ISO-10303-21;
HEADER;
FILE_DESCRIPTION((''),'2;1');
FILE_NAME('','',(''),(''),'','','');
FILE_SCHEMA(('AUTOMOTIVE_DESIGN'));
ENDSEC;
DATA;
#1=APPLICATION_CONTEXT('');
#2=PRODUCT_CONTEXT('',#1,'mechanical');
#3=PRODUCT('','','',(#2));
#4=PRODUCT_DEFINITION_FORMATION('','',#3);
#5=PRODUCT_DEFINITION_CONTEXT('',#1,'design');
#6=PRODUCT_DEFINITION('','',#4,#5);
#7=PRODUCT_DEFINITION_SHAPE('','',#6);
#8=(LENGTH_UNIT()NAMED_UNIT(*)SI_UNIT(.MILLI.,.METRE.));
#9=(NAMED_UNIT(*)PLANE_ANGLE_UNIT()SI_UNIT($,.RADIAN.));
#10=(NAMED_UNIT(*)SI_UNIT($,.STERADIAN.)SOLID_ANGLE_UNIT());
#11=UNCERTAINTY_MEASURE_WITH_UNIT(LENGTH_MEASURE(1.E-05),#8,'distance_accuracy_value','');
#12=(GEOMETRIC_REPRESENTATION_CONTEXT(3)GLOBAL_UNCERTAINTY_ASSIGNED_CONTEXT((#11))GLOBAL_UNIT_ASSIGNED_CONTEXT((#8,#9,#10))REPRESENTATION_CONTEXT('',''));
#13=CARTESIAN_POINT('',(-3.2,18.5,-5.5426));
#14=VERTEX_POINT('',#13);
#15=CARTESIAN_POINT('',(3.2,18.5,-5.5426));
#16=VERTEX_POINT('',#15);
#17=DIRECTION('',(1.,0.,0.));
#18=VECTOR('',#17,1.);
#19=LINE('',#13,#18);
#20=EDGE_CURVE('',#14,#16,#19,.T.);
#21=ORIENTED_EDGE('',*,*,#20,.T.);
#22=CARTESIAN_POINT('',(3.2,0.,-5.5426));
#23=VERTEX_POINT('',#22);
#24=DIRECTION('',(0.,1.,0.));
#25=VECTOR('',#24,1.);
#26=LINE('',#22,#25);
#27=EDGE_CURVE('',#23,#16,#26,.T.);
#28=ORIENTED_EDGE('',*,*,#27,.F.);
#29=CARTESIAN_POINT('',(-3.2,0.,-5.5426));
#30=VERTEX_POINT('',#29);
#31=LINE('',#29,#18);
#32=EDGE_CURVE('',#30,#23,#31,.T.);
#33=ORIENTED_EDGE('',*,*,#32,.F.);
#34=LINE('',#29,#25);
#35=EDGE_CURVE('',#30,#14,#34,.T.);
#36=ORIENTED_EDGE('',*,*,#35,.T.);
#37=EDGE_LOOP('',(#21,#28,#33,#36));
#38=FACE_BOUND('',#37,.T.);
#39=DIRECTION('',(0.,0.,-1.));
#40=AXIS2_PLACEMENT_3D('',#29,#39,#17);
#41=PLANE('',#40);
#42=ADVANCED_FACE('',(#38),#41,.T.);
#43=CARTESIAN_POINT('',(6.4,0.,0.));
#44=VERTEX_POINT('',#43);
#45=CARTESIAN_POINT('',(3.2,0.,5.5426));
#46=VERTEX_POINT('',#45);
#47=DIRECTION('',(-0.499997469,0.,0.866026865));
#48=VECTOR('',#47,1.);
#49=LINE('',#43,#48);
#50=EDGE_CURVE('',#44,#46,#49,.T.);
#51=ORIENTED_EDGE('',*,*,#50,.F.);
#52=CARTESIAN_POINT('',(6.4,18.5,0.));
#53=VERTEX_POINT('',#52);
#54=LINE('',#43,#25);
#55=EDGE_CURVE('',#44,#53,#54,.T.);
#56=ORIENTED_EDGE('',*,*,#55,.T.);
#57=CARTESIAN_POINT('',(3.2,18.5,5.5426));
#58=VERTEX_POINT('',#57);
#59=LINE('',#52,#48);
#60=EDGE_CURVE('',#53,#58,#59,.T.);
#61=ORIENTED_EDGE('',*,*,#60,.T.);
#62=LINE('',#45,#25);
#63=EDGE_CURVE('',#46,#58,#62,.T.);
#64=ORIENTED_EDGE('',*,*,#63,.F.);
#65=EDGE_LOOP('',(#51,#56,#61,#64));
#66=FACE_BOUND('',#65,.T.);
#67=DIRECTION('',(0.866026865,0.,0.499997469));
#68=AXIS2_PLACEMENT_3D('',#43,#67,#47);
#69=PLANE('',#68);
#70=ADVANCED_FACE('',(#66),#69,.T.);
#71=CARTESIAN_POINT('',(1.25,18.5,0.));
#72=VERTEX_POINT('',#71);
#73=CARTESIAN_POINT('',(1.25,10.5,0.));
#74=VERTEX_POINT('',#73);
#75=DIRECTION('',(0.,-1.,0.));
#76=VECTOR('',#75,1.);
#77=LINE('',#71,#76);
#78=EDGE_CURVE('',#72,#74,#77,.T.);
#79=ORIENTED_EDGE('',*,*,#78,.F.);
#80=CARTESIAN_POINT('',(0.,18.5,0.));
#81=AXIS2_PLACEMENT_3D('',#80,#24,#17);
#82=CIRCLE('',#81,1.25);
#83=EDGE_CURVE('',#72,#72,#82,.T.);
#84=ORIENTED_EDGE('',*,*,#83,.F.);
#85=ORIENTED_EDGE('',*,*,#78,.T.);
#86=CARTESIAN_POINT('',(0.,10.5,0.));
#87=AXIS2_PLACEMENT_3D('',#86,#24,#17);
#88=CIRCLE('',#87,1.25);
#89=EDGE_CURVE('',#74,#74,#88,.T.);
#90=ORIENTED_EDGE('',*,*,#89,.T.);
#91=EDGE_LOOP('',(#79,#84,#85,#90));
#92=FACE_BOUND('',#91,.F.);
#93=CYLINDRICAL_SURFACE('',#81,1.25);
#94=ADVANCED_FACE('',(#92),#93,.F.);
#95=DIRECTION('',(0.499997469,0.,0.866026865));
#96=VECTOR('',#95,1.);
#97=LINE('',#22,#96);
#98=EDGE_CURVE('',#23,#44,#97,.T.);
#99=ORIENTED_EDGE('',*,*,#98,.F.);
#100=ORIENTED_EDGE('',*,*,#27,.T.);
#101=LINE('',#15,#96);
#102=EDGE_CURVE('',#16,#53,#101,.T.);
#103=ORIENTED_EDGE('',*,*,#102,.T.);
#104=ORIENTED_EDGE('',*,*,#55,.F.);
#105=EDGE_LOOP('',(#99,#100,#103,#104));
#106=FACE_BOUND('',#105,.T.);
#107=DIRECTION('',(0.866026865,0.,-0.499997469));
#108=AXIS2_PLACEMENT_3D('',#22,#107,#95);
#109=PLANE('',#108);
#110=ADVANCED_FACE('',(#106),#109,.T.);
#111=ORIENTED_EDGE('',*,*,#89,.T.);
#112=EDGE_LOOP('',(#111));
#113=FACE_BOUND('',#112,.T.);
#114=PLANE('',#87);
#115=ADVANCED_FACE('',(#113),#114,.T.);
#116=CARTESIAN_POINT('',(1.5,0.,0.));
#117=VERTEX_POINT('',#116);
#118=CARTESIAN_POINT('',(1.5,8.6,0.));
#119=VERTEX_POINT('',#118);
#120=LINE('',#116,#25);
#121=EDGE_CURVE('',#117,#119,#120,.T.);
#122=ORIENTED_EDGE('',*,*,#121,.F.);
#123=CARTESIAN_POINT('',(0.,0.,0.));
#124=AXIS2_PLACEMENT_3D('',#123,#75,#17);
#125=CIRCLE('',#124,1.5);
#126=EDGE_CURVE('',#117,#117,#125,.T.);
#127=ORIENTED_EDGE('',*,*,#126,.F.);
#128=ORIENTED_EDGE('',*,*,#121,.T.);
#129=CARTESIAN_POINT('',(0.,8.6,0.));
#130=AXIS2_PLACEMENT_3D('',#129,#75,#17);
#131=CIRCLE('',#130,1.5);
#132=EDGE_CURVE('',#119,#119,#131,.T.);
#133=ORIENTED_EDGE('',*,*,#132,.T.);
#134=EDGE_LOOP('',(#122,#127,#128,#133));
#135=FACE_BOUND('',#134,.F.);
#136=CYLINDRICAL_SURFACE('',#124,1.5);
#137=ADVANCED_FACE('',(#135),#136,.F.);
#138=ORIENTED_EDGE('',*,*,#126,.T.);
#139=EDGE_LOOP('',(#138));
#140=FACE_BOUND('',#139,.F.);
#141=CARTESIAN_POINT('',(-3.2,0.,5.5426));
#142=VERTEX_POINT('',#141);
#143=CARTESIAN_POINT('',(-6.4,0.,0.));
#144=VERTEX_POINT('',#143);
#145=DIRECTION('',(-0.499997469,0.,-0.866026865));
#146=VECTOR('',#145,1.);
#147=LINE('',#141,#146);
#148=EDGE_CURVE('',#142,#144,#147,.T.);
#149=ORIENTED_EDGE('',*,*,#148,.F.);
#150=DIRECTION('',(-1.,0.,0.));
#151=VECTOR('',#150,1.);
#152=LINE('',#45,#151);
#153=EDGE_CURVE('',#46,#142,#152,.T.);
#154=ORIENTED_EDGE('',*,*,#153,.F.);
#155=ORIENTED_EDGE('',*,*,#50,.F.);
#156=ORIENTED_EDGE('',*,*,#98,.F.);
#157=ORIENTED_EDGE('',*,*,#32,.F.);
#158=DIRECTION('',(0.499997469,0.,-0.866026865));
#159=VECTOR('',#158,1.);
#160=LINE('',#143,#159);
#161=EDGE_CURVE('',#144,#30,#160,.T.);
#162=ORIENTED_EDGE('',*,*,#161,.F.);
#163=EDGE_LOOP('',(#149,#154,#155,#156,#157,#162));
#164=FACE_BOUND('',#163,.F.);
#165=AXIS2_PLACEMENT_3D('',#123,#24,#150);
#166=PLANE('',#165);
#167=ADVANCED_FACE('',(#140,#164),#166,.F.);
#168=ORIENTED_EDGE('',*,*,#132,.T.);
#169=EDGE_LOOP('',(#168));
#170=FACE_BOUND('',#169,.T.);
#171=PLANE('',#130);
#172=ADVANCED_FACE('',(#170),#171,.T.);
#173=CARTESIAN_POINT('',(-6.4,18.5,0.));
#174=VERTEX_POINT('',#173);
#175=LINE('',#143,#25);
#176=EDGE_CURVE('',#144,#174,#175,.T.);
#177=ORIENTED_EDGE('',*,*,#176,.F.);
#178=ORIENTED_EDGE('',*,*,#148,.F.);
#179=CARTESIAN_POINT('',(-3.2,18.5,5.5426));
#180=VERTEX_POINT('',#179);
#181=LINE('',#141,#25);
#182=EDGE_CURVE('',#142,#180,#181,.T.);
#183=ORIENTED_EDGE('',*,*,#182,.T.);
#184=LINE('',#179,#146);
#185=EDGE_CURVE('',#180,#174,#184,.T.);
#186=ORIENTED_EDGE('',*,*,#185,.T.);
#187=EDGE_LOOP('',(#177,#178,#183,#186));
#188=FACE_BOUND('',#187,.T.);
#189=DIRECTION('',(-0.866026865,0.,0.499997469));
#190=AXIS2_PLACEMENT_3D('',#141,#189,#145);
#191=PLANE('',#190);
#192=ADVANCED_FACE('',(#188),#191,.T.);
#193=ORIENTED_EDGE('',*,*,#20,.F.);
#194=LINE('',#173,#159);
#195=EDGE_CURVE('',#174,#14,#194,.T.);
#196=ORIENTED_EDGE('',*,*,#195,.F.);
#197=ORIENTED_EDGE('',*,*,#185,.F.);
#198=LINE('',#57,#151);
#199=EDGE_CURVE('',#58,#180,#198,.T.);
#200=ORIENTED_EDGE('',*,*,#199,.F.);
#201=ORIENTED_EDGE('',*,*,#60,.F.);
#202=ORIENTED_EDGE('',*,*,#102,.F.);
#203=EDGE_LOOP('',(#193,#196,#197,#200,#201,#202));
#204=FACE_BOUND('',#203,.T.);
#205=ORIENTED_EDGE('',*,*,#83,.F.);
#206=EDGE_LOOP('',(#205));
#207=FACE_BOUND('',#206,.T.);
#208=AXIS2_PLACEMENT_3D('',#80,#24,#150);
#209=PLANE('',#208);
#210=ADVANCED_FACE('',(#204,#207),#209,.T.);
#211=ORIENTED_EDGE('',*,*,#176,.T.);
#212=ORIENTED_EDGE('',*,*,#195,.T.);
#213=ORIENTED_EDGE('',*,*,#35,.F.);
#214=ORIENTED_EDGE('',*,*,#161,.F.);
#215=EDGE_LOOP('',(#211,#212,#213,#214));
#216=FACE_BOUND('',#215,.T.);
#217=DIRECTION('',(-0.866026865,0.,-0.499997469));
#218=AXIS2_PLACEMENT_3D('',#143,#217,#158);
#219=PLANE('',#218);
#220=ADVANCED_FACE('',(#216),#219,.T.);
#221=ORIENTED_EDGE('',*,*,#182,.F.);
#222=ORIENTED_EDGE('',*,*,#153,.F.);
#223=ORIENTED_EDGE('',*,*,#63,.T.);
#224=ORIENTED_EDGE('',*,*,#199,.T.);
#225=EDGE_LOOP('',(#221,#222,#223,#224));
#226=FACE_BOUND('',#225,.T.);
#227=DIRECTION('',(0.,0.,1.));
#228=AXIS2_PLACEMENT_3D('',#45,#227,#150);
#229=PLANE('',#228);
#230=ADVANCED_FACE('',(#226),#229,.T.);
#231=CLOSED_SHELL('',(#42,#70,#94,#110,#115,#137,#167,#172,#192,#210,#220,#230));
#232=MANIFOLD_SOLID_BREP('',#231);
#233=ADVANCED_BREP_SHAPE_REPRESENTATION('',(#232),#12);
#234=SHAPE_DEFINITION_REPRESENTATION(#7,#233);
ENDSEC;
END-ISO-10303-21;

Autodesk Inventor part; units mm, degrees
ref_plane "YZ Plane" through (0, 0, 0) normal (1, 0, 0) x (0, 1, 0)
ref_plane "XZ Plane" through (0, 0, 0) normal (0, 1, 0) x (-1, 0, 0)
ref_plane "XY Plane" through (0, 0, 0) normal (0, 0, 1) x (1, 0, 0)
sketch "Sketch1" plane through (0, 0, 0) normal (0, 1, 0) x (-1, 0, 0)
  line L0 (6.4, 0) -> (3.2, -5.5426)
  line L1 (3.2, -5.5426) -> (-3.2, -5.5426)
  line L2 (-3.2, -5.5426) -> (-6.4, 0)
  line L3 (-6.4, 0) -> (-3.2, 5.5426)
  line L4 (-3.2, 5.5426) -> (3.2, 5.5426)
  line L5 (3.2, 5.5426) -> (6.4, 0)
  point P0 (0, 0)
  dimension "d1" = 6.4
extrude "Extrusion1" add sketch "Sketch1" along normal blind 18.5
sketch "Sketch2" plane through (0, 18.5, 0) normal (0, 1, 0) x (1, 0, 0)
  circle A0 centre (0, 0) radius 1.25
  dimension "d4" = 2.5
extrude "Extrusion2" cut sketch "Sketch2" against normal blind 8
sketch "Sketch3" plane through (0, 0, 0) normal (0, -1, 0) x (1, 0, 0)
  circle A0 centre (0, 0) radius 1.5
  dimension "d7" = 3
extrude "Extrusion3" cut sketch "Sketch3" against normal blind 8.6
